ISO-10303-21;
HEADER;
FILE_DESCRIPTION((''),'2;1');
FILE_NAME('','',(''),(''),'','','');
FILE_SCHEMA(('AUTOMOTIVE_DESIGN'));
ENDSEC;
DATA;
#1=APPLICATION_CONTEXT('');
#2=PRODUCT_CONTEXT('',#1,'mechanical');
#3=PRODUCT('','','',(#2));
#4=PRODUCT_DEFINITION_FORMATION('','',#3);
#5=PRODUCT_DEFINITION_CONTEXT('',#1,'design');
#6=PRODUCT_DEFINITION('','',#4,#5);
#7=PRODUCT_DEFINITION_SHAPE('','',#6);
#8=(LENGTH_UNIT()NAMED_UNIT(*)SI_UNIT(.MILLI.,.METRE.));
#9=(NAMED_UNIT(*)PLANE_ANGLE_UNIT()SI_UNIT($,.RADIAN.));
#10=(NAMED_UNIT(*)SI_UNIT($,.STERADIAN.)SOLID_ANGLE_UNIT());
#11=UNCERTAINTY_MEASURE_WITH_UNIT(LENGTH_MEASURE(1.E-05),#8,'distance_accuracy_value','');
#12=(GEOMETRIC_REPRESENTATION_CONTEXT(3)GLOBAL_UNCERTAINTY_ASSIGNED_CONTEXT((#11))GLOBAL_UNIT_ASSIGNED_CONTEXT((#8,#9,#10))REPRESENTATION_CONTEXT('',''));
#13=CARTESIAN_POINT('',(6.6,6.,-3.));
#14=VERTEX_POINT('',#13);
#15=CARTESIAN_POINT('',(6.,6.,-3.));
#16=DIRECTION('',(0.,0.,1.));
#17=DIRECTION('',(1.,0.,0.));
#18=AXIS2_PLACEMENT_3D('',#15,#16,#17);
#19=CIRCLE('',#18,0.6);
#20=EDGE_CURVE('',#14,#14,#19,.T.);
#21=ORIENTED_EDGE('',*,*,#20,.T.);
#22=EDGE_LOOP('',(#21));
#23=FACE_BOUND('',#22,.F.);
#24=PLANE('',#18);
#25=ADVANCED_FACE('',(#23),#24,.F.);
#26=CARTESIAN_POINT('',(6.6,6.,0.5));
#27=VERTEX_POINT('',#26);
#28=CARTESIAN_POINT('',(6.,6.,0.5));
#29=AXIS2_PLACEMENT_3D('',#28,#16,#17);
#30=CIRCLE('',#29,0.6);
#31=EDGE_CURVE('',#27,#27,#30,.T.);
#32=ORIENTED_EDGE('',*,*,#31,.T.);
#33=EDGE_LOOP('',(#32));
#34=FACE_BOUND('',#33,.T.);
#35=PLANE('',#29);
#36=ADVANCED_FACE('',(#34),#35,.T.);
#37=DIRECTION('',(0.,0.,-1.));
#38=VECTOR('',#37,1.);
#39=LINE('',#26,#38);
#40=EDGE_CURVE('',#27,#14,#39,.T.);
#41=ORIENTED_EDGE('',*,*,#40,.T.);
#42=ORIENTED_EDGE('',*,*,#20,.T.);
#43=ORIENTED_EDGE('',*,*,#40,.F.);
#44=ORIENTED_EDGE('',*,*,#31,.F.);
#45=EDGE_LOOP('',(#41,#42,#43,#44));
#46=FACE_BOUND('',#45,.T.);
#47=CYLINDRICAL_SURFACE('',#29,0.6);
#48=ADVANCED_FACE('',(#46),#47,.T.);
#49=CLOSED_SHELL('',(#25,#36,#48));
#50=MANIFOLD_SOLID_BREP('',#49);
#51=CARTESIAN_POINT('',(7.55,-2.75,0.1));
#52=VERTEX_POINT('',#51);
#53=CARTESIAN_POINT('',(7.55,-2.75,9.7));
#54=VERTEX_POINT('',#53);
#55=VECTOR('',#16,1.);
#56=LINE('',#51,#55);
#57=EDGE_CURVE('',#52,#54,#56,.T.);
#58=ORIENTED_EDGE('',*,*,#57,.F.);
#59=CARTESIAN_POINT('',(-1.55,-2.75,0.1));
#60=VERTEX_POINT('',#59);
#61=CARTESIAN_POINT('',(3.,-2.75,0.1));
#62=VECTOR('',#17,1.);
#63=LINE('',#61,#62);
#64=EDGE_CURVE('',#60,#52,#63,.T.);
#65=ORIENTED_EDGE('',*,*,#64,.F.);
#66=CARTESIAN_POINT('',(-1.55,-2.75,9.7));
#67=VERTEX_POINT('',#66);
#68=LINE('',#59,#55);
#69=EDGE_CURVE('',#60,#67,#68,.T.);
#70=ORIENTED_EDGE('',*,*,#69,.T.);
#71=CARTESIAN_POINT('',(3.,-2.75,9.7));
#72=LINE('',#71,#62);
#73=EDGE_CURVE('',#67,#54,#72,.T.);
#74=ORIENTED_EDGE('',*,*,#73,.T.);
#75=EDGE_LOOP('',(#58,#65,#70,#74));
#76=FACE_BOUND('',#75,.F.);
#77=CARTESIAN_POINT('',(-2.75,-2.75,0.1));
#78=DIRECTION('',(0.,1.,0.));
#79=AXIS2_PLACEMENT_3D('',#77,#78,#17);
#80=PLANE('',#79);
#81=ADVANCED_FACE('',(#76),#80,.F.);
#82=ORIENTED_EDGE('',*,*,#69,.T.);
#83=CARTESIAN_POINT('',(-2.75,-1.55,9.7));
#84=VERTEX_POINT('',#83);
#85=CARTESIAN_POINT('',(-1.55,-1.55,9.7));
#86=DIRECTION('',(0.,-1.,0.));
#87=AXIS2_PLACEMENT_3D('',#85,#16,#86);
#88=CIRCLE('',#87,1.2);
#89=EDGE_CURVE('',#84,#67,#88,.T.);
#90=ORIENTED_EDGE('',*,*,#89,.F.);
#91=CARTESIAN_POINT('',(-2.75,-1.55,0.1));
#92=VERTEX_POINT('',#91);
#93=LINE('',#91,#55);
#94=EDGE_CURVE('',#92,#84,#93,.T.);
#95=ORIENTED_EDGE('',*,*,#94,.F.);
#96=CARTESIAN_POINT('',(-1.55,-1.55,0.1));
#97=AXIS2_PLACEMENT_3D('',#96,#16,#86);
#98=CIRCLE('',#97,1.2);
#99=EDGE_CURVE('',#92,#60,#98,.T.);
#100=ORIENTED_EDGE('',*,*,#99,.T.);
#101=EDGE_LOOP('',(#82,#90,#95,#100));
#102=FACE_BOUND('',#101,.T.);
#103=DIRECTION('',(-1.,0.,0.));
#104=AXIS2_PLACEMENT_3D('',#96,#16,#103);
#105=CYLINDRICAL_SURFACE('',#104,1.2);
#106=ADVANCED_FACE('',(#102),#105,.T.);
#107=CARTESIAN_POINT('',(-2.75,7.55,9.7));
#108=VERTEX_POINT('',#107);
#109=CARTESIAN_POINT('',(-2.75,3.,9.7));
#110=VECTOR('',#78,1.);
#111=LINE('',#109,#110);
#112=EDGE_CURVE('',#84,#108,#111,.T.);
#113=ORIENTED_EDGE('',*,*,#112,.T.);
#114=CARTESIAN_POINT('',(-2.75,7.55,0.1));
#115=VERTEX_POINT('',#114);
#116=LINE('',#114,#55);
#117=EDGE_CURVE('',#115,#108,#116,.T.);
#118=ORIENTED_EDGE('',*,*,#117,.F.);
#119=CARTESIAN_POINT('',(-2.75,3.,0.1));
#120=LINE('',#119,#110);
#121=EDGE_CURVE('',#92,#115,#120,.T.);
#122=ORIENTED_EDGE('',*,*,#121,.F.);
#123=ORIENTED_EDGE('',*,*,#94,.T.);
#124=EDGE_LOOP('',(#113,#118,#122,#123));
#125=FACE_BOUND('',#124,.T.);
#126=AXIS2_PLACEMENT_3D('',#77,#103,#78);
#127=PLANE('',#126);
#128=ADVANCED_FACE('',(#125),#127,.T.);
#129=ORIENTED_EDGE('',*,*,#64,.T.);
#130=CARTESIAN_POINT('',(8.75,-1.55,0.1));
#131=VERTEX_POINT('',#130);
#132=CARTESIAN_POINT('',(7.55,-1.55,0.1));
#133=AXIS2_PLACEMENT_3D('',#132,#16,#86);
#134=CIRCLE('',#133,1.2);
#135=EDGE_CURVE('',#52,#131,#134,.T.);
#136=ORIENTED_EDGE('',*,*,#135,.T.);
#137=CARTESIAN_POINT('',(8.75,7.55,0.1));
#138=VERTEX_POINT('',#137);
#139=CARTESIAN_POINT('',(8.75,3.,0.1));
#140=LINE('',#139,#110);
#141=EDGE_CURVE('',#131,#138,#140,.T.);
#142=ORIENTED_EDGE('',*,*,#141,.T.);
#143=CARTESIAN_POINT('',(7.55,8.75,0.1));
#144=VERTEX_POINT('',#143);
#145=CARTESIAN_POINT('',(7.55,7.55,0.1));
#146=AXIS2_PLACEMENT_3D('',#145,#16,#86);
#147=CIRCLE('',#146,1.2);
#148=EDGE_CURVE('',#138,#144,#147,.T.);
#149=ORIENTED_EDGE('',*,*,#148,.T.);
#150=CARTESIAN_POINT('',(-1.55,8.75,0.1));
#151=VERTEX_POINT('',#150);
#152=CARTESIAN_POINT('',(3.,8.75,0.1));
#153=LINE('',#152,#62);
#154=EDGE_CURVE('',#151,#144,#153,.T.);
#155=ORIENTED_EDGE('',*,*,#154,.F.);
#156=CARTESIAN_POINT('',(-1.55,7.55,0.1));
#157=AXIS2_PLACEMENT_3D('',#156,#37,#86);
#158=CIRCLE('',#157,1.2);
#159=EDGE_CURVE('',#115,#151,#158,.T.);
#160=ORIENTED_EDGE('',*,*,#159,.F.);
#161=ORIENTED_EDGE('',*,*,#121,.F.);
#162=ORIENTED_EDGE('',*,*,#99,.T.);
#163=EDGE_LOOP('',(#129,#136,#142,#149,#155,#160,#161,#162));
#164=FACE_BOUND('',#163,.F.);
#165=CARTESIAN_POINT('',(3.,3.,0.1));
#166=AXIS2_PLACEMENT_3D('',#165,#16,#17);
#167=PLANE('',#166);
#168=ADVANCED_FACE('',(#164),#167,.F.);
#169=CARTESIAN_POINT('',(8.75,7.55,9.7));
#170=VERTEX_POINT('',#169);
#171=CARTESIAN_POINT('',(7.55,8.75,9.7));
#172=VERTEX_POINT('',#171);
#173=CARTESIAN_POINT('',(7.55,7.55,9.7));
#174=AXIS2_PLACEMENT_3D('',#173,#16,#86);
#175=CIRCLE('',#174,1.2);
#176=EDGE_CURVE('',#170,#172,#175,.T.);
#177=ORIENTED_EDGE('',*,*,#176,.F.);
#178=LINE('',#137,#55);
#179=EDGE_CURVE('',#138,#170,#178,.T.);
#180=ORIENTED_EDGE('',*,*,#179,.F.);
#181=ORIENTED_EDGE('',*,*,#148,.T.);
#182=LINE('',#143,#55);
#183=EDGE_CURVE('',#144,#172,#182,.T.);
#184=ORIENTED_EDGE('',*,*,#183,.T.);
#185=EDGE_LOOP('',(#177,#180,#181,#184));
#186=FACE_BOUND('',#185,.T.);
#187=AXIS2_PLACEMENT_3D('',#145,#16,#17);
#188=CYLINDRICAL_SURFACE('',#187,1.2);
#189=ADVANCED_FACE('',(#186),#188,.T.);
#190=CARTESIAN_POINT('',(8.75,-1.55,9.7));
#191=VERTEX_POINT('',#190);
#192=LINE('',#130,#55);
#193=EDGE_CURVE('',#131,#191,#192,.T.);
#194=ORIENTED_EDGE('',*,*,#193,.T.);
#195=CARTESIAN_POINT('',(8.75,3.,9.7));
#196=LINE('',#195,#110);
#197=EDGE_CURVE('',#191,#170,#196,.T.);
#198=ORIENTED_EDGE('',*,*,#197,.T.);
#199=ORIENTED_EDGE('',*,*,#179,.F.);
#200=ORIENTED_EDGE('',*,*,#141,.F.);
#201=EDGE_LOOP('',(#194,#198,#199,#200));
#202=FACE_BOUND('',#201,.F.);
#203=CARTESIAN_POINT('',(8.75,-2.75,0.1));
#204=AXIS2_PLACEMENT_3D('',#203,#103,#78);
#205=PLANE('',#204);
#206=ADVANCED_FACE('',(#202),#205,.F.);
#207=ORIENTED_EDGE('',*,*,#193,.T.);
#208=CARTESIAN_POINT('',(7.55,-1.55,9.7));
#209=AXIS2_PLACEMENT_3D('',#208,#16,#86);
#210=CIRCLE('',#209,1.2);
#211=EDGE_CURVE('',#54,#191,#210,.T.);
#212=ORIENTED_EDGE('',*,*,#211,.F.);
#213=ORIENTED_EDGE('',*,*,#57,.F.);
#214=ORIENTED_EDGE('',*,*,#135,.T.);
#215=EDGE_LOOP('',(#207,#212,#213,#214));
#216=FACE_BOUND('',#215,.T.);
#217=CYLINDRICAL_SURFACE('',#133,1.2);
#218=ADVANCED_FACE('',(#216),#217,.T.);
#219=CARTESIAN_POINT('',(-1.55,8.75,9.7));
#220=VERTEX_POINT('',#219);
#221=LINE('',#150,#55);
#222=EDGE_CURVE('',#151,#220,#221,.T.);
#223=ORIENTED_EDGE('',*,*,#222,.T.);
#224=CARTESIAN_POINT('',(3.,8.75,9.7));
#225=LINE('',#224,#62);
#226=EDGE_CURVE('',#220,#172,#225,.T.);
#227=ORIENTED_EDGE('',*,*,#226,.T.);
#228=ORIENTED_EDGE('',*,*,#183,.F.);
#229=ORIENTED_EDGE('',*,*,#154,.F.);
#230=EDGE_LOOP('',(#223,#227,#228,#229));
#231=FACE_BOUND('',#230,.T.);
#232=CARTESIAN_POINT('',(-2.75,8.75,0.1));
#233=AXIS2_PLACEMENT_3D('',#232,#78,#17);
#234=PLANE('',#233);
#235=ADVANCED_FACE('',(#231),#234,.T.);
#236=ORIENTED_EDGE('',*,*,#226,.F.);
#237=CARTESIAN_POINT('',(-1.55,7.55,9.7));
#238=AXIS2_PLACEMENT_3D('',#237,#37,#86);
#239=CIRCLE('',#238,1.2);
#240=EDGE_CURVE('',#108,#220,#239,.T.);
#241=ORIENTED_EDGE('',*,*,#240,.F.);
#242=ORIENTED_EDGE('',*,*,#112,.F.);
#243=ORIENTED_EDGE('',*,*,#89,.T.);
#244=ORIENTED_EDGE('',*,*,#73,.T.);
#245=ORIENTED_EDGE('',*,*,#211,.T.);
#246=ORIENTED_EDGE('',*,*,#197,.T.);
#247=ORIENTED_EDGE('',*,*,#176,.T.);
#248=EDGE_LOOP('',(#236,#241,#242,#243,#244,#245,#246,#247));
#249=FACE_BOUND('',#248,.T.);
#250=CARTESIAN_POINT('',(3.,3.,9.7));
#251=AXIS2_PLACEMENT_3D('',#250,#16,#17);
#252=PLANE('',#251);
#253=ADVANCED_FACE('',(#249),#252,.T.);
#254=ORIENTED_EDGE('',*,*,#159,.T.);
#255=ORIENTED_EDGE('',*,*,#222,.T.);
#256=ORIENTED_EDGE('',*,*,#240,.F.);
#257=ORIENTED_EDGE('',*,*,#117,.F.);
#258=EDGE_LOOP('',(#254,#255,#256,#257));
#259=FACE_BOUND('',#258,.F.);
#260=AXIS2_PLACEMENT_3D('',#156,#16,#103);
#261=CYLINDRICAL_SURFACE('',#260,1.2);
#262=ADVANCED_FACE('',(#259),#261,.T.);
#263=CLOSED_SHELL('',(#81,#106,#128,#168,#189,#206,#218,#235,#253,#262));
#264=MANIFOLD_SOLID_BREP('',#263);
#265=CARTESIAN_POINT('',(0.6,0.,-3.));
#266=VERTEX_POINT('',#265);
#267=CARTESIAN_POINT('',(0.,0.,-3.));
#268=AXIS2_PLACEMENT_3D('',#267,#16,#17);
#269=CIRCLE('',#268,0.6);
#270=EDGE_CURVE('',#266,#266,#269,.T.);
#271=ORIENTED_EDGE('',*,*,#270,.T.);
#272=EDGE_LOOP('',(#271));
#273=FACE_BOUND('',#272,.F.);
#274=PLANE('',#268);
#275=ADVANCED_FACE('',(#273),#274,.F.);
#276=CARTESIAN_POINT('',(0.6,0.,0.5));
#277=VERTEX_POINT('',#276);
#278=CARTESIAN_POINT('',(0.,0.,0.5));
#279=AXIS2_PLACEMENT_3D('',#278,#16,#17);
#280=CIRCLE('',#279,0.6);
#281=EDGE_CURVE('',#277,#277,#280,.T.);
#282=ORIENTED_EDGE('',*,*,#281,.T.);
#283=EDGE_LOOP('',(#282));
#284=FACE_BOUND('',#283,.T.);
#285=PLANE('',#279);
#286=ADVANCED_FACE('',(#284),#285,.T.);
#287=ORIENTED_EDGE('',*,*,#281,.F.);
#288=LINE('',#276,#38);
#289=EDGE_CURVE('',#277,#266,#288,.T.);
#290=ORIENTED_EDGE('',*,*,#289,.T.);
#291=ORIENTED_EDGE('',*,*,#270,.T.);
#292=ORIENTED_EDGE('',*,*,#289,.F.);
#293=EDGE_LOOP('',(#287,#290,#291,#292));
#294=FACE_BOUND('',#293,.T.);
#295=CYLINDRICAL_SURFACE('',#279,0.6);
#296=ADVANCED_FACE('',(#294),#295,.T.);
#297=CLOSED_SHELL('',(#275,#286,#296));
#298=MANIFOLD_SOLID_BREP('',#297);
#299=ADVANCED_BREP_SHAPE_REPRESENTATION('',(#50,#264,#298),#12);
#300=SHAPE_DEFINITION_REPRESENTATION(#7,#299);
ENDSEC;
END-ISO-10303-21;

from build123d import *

# Parameters (mm, degrees)
SKETCH001_R  = 0.6
PAD001_DEPTH = 3.5
SKETCH_W     = 11.5
SKETCH_H     = 11.5
PAD_DEPTH    = 9.6
FILLET_R     = 1.2


with BuildPart() as pad001:
    # Sketch001 → Pad001 (new body)
    with BuildSketch(Plane.XY.offset(0.5)):
        Circle(SKETCH001_R)
        with Locations((6, 6)):
            Circle(SKETCH001_R)
    extrude(amount=-PAD001_DEPTH)


with BuildPart() as fillet_body:
    # Sketch → Pad (new body)
    with BuildSketch(Plane.XY.offset(0.1)):
        with Locations((3, 3)):
            Rectangle(SKETCH_W, SKETCH_H)
    extrude(amount=PAD_DEPTH)

    # Fillet
    fillet_edges = [fillet_body.edges().sort_by_distance(p)[0] for p in [
        (8.75, -2.75, 4.9),
        (8.75, 8.75, 4.9),
        (-2.75, -2.75, 4.9),
        (-2.75, 8.75, 4.9),
    ]]
    fillet(fillet_edges, radius=FILLET_R)


solid = Compound([pad001.part, fillet_body.part])
